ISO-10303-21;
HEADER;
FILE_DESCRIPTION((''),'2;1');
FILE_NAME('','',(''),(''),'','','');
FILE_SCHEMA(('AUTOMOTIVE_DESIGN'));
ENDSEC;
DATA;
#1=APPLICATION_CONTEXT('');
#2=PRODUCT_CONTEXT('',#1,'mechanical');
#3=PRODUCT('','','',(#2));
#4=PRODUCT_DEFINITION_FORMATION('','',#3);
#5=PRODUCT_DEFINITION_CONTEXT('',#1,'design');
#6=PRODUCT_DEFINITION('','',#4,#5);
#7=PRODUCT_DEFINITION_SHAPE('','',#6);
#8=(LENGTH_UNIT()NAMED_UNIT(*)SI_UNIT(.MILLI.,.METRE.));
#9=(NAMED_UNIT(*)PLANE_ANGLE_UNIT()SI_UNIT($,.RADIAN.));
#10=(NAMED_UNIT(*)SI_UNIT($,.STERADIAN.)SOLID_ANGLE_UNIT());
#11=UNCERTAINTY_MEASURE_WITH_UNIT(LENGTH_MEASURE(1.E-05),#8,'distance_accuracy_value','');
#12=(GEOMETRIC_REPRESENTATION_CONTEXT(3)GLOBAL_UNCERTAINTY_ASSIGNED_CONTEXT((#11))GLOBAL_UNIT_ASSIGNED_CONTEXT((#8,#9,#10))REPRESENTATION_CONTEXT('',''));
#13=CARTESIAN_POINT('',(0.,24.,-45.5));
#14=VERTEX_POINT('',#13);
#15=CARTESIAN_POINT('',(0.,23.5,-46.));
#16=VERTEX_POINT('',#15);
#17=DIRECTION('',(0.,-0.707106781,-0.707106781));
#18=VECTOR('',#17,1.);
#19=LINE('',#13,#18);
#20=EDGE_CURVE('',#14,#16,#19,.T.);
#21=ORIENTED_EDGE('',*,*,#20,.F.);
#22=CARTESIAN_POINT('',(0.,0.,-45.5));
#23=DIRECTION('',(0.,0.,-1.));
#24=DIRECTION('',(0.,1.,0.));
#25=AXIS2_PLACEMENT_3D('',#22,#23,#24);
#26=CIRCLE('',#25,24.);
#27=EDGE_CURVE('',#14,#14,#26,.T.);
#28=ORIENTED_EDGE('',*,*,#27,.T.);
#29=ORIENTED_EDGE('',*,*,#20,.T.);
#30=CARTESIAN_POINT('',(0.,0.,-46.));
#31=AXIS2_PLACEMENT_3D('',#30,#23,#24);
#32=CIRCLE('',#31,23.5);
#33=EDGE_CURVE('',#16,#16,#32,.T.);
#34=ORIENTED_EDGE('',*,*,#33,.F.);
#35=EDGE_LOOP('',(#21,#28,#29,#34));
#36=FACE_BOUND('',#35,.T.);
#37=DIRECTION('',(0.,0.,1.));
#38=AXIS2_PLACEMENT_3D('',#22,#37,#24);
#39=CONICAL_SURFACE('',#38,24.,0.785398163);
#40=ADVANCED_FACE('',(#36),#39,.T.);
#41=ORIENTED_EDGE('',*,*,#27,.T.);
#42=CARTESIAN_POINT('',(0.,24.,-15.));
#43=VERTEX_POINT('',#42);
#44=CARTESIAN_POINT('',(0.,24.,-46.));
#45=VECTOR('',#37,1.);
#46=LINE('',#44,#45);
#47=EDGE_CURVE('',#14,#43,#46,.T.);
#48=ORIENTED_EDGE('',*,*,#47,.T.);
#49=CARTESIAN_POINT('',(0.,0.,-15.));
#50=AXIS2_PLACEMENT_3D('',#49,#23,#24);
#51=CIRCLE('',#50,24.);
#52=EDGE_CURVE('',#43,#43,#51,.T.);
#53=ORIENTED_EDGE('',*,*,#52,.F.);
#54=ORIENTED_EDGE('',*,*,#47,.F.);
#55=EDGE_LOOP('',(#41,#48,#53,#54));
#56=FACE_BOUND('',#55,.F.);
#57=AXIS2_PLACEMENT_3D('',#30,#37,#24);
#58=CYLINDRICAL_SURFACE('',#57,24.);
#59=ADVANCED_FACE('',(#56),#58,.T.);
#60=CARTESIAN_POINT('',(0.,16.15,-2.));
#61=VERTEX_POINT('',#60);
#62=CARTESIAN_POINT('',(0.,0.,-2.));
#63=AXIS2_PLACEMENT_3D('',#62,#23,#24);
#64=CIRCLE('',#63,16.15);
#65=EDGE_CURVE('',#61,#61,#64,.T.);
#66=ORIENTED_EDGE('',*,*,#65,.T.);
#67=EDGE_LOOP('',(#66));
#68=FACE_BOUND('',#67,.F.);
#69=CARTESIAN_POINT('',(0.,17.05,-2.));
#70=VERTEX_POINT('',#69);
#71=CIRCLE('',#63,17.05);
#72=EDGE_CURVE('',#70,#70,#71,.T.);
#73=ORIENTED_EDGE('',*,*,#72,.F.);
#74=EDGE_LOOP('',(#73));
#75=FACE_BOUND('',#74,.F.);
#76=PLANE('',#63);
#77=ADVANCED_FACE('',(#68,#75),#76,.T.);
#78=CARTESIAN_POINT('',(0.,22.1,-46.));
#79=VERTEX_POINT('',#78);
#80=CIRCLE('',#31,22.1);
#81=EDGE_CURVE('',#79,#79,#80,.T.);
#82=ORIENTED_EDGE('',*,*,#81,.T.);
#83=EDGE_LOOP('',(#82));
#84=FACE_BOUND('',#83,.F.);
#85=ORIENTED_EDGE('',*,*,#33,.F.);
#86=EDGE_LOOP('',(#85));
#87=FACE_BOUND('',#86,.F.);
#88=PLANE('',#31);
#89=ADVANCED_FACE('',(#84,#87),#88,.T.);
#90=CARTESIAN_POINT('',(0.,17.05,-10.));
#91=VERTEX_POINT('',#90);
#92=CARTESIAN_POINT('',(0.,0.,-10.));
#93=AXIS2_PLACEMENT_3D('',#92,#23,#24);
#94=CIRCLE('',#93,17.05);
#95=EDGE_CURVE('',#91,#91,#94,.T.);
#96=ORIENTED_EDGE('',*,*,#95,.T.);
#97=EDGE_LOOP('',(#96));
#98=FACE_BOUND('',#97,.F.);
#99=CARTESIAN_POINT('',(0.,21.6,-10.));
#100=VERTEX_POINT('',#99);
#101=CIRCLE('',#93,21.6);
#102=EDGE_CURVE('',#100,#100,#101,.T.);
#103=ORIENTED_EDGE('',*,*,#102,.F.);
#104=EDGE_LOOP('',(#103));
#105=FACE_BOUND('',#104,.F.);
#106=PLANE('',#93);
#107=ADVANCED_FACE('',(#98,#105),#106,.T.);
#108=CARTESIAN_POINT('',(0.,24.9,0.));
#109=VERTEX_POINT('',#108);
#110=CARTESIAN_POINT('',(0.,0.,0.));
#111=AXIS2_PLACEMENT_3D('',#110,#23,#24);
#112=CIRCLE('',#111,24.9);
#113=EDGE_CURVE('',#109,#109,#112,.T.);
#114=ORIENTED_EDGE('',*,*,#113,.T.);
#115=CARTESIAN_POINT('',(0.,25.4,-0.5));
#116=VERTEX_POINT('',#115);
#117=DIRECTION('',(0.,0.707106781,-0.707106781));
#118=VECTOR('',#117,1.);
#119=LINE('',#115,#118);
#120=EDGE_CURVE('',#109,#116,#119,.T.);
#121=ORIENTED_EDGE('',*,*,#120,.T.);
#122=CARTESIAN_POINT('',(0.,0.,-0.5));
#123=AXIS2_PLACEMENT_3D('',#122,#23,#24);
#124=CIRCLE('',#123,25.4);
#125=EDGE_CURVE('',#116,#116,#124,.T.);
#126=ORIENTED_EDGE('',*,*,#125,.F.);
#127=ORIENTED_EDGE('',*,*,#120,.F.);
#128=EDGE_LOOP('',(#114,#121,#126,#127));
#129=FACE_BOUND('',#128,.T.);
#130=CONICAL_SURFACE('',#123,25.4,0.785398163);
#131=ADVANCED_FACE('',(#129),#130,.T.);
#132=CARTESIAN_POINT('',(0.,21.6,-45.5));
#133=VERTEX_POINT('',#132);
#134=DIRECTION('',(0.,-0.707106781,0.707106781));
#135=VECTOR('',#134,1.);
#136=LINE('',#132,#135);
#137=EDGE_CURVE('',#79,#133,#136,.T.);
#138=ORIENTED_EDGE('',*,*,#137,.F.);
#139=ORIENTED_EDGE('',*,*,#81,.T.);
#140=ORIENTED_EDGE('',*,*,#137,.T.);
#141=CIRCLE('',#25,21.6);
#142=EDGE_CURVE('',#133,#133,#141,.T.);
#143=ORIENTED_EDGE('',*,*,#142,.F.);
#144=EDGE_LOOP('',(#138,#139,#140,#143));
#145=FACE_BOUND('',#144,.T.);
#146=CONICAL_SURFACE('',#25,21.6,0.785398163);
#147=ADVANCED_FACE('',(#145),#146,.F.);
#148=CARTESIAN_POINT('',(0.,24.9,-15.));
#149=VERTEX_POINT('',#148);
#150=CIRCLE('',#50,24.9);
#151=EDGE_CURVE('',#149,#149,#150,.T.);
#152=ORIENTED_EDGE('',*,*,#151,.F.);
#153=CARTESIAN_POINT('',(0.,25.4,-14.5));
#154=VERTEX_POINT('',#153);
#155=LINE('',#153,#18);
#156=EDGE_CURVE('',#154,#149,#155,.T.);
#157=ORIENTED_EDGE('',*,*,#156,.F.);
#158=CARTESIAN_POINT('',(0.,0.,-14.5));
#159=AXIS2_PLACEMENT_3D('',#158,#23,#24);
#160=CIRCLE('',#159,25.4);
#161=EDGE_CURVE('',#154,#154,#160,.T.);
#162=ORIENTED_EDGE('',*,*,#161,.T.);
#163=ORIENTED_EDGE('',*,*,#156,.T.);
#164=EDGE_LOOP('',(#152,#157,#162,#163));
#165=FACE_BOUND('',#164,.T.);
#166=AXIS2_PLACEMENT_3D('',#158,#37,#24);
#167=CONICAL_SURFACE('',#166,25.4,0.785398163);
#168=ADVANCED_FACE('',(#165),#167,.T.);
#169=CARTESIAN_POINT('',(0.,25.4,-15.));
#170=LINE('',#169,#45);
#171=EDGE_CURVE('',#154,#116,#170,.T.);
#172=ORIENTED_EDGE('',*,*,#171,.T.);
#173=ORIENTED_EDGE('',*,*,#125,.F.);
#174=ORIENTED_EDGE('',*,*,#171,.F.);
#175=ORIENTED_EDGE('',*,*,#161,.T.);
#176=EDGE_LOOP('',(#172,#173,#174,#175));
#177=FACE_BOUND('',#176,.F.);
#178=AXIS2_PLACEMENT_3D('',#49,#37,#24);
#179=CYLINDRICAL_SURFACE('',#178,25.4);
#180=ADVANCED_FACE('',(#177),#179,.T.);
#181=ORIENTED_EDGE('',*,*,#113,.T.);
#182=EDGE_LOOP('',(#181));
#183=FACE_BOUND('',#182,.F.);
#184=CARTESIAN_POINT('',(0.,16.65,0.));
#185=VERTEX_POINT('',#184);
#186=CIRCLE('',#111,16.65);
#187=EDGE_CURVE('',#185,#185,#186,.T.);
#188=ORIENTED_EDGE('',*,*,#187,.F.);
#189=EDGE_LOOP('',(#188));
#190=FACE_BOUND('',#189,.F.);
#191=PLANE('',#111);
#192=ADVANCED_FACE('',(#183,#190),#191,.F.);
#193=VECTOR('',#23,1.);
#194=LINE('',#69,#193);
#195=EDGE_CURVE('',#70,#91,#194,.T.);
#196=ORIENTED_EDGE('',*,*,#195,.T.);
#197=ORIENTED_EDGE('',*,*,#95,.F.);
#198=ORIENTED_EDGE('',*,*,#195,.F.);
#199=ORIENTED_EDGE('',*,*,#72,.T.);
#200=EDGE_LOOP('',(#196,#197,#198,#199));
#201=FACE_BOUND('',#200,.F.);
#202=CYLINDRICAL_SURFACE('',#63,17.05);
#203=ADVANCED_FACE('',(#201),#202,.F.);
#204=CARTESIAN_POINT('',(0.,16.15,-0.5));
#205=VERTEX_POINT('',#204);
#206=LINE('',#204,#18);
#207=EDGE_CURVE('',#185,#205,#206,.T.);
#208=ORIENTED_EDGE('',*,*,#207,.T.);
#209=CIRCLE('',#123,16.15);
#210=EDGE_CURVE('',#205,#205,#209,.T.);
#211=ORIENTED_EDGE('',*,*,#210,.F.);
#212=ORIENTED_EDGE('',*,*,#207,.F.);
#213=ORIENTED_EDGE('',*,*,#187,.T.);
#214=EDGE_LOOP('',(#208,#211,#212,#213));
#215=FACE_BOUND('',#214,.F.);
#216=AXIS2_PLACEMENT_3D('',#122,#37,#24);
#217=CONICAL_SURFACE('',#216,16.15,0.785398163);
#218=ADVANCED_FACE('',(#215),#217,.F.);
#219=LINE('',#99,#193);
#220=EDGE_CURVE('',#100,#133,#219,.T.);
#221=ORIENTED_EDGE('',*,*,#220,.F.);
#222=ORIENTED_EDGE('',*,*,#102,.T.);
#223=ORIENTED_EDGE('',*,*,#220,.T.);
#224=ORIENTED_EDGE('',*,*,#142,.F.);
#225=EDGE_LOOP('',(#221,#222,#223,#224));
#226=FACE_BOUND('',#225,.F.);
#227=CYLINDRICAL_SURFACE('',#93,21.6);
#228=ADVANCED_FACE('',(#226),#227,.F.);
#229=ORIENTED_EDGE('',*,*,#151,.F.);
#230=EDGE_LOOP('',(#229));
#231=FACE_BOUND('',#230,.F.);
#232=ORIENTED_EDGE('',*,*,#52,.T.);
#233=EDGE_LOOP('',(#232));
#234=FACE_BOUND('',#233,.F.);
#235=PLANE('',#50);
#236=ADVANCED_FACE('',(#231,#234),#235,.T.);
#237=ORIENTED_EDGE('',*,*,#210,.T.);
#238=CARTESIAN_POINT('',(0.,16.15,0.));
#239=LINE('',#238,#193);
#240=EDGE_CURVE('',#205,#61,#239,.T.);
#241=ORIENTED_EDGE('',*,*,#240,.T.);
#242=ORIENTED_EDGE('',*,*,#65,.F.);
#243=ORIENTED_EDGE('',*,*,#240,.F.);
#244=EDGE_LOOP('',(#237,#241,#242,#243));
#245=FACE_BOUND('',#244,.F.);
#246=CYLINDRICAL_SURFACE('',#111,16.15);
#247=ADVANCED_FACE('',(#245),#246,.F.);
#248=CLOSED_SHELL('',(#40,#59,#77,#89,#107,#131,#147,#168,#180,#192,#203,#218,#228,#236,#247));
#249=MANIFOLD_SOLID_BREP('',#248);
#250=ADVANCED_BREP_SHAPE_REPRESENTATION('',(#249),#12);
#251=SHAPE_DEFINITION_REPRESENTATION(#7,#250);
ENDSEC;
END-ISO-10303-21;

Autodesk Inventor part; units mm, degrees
ref_plane "YZ Plane" through (0, 0, 0) normal (1, 0, 0) x (0, 1, 0)
ref_plane "XZ Plane" through (0, 0, 0) normal (0, 1, 0) x (-1, 0, 0)
ref_plane "XY Plane" through (0, 0, 0) normal (0, 0, 1) x (1, 0, 0)
sketch "Sketch2" plane through (0, 0, 0) normal (1, 0, 0) x (0, 1, 0)
  line L0 (17.05, -2) -> (17.05, -10)
  line L1 (17.05, -10) -> (21.6, -10)
  line L2 (21.6, -10) -> (21.6, -46)
  line L3 (21.6, -46) -> (24, -46)
  line L4 (24, -46) -> (24, -15)
  line L5 (24, -15) -> (25.4, -15)
  line L6 (25.4, -15) -> (25.4, 0)
  line L7 (25.4, 0) -> (17.05, 0)
  line L8 (0, 0) -> (0, -55.6888)
  line L9 (17.05, 0) -> (16.15, 0)
  line L10 (16.15, 0) -> (16.15, -2)
  line L11 (16.15, -2) -> (17.05, -2)
  line L12 (17.05, -2) -> (17.05, 0)
  point P0 (24.7, -15)
  dimension "d0" = 10
  dimension "d1" = 36
  dimension "d2" = 17.05
  dimension "d3" = 21.6
  dimension "d4" = 25.4
  dimension "d5" = 24
  dimension "d6" = 15
  dimension "d7" = 2
  dimension "d8" = 0.9
revolve "Revolution2" add sketch "Sketch2" angle 360 about axis through (0, 0, 0) along (0, 0, -1)
chamfer "Chamfer1" distance 0.5 angle 45 5 edges at (0, -25.4, 0) (0, -25.4, -15) (0, -16.15, 0) (0, -24, -46) (0, -21.6, -46)
properties part number "Nikon50mm-barebone-mount"
